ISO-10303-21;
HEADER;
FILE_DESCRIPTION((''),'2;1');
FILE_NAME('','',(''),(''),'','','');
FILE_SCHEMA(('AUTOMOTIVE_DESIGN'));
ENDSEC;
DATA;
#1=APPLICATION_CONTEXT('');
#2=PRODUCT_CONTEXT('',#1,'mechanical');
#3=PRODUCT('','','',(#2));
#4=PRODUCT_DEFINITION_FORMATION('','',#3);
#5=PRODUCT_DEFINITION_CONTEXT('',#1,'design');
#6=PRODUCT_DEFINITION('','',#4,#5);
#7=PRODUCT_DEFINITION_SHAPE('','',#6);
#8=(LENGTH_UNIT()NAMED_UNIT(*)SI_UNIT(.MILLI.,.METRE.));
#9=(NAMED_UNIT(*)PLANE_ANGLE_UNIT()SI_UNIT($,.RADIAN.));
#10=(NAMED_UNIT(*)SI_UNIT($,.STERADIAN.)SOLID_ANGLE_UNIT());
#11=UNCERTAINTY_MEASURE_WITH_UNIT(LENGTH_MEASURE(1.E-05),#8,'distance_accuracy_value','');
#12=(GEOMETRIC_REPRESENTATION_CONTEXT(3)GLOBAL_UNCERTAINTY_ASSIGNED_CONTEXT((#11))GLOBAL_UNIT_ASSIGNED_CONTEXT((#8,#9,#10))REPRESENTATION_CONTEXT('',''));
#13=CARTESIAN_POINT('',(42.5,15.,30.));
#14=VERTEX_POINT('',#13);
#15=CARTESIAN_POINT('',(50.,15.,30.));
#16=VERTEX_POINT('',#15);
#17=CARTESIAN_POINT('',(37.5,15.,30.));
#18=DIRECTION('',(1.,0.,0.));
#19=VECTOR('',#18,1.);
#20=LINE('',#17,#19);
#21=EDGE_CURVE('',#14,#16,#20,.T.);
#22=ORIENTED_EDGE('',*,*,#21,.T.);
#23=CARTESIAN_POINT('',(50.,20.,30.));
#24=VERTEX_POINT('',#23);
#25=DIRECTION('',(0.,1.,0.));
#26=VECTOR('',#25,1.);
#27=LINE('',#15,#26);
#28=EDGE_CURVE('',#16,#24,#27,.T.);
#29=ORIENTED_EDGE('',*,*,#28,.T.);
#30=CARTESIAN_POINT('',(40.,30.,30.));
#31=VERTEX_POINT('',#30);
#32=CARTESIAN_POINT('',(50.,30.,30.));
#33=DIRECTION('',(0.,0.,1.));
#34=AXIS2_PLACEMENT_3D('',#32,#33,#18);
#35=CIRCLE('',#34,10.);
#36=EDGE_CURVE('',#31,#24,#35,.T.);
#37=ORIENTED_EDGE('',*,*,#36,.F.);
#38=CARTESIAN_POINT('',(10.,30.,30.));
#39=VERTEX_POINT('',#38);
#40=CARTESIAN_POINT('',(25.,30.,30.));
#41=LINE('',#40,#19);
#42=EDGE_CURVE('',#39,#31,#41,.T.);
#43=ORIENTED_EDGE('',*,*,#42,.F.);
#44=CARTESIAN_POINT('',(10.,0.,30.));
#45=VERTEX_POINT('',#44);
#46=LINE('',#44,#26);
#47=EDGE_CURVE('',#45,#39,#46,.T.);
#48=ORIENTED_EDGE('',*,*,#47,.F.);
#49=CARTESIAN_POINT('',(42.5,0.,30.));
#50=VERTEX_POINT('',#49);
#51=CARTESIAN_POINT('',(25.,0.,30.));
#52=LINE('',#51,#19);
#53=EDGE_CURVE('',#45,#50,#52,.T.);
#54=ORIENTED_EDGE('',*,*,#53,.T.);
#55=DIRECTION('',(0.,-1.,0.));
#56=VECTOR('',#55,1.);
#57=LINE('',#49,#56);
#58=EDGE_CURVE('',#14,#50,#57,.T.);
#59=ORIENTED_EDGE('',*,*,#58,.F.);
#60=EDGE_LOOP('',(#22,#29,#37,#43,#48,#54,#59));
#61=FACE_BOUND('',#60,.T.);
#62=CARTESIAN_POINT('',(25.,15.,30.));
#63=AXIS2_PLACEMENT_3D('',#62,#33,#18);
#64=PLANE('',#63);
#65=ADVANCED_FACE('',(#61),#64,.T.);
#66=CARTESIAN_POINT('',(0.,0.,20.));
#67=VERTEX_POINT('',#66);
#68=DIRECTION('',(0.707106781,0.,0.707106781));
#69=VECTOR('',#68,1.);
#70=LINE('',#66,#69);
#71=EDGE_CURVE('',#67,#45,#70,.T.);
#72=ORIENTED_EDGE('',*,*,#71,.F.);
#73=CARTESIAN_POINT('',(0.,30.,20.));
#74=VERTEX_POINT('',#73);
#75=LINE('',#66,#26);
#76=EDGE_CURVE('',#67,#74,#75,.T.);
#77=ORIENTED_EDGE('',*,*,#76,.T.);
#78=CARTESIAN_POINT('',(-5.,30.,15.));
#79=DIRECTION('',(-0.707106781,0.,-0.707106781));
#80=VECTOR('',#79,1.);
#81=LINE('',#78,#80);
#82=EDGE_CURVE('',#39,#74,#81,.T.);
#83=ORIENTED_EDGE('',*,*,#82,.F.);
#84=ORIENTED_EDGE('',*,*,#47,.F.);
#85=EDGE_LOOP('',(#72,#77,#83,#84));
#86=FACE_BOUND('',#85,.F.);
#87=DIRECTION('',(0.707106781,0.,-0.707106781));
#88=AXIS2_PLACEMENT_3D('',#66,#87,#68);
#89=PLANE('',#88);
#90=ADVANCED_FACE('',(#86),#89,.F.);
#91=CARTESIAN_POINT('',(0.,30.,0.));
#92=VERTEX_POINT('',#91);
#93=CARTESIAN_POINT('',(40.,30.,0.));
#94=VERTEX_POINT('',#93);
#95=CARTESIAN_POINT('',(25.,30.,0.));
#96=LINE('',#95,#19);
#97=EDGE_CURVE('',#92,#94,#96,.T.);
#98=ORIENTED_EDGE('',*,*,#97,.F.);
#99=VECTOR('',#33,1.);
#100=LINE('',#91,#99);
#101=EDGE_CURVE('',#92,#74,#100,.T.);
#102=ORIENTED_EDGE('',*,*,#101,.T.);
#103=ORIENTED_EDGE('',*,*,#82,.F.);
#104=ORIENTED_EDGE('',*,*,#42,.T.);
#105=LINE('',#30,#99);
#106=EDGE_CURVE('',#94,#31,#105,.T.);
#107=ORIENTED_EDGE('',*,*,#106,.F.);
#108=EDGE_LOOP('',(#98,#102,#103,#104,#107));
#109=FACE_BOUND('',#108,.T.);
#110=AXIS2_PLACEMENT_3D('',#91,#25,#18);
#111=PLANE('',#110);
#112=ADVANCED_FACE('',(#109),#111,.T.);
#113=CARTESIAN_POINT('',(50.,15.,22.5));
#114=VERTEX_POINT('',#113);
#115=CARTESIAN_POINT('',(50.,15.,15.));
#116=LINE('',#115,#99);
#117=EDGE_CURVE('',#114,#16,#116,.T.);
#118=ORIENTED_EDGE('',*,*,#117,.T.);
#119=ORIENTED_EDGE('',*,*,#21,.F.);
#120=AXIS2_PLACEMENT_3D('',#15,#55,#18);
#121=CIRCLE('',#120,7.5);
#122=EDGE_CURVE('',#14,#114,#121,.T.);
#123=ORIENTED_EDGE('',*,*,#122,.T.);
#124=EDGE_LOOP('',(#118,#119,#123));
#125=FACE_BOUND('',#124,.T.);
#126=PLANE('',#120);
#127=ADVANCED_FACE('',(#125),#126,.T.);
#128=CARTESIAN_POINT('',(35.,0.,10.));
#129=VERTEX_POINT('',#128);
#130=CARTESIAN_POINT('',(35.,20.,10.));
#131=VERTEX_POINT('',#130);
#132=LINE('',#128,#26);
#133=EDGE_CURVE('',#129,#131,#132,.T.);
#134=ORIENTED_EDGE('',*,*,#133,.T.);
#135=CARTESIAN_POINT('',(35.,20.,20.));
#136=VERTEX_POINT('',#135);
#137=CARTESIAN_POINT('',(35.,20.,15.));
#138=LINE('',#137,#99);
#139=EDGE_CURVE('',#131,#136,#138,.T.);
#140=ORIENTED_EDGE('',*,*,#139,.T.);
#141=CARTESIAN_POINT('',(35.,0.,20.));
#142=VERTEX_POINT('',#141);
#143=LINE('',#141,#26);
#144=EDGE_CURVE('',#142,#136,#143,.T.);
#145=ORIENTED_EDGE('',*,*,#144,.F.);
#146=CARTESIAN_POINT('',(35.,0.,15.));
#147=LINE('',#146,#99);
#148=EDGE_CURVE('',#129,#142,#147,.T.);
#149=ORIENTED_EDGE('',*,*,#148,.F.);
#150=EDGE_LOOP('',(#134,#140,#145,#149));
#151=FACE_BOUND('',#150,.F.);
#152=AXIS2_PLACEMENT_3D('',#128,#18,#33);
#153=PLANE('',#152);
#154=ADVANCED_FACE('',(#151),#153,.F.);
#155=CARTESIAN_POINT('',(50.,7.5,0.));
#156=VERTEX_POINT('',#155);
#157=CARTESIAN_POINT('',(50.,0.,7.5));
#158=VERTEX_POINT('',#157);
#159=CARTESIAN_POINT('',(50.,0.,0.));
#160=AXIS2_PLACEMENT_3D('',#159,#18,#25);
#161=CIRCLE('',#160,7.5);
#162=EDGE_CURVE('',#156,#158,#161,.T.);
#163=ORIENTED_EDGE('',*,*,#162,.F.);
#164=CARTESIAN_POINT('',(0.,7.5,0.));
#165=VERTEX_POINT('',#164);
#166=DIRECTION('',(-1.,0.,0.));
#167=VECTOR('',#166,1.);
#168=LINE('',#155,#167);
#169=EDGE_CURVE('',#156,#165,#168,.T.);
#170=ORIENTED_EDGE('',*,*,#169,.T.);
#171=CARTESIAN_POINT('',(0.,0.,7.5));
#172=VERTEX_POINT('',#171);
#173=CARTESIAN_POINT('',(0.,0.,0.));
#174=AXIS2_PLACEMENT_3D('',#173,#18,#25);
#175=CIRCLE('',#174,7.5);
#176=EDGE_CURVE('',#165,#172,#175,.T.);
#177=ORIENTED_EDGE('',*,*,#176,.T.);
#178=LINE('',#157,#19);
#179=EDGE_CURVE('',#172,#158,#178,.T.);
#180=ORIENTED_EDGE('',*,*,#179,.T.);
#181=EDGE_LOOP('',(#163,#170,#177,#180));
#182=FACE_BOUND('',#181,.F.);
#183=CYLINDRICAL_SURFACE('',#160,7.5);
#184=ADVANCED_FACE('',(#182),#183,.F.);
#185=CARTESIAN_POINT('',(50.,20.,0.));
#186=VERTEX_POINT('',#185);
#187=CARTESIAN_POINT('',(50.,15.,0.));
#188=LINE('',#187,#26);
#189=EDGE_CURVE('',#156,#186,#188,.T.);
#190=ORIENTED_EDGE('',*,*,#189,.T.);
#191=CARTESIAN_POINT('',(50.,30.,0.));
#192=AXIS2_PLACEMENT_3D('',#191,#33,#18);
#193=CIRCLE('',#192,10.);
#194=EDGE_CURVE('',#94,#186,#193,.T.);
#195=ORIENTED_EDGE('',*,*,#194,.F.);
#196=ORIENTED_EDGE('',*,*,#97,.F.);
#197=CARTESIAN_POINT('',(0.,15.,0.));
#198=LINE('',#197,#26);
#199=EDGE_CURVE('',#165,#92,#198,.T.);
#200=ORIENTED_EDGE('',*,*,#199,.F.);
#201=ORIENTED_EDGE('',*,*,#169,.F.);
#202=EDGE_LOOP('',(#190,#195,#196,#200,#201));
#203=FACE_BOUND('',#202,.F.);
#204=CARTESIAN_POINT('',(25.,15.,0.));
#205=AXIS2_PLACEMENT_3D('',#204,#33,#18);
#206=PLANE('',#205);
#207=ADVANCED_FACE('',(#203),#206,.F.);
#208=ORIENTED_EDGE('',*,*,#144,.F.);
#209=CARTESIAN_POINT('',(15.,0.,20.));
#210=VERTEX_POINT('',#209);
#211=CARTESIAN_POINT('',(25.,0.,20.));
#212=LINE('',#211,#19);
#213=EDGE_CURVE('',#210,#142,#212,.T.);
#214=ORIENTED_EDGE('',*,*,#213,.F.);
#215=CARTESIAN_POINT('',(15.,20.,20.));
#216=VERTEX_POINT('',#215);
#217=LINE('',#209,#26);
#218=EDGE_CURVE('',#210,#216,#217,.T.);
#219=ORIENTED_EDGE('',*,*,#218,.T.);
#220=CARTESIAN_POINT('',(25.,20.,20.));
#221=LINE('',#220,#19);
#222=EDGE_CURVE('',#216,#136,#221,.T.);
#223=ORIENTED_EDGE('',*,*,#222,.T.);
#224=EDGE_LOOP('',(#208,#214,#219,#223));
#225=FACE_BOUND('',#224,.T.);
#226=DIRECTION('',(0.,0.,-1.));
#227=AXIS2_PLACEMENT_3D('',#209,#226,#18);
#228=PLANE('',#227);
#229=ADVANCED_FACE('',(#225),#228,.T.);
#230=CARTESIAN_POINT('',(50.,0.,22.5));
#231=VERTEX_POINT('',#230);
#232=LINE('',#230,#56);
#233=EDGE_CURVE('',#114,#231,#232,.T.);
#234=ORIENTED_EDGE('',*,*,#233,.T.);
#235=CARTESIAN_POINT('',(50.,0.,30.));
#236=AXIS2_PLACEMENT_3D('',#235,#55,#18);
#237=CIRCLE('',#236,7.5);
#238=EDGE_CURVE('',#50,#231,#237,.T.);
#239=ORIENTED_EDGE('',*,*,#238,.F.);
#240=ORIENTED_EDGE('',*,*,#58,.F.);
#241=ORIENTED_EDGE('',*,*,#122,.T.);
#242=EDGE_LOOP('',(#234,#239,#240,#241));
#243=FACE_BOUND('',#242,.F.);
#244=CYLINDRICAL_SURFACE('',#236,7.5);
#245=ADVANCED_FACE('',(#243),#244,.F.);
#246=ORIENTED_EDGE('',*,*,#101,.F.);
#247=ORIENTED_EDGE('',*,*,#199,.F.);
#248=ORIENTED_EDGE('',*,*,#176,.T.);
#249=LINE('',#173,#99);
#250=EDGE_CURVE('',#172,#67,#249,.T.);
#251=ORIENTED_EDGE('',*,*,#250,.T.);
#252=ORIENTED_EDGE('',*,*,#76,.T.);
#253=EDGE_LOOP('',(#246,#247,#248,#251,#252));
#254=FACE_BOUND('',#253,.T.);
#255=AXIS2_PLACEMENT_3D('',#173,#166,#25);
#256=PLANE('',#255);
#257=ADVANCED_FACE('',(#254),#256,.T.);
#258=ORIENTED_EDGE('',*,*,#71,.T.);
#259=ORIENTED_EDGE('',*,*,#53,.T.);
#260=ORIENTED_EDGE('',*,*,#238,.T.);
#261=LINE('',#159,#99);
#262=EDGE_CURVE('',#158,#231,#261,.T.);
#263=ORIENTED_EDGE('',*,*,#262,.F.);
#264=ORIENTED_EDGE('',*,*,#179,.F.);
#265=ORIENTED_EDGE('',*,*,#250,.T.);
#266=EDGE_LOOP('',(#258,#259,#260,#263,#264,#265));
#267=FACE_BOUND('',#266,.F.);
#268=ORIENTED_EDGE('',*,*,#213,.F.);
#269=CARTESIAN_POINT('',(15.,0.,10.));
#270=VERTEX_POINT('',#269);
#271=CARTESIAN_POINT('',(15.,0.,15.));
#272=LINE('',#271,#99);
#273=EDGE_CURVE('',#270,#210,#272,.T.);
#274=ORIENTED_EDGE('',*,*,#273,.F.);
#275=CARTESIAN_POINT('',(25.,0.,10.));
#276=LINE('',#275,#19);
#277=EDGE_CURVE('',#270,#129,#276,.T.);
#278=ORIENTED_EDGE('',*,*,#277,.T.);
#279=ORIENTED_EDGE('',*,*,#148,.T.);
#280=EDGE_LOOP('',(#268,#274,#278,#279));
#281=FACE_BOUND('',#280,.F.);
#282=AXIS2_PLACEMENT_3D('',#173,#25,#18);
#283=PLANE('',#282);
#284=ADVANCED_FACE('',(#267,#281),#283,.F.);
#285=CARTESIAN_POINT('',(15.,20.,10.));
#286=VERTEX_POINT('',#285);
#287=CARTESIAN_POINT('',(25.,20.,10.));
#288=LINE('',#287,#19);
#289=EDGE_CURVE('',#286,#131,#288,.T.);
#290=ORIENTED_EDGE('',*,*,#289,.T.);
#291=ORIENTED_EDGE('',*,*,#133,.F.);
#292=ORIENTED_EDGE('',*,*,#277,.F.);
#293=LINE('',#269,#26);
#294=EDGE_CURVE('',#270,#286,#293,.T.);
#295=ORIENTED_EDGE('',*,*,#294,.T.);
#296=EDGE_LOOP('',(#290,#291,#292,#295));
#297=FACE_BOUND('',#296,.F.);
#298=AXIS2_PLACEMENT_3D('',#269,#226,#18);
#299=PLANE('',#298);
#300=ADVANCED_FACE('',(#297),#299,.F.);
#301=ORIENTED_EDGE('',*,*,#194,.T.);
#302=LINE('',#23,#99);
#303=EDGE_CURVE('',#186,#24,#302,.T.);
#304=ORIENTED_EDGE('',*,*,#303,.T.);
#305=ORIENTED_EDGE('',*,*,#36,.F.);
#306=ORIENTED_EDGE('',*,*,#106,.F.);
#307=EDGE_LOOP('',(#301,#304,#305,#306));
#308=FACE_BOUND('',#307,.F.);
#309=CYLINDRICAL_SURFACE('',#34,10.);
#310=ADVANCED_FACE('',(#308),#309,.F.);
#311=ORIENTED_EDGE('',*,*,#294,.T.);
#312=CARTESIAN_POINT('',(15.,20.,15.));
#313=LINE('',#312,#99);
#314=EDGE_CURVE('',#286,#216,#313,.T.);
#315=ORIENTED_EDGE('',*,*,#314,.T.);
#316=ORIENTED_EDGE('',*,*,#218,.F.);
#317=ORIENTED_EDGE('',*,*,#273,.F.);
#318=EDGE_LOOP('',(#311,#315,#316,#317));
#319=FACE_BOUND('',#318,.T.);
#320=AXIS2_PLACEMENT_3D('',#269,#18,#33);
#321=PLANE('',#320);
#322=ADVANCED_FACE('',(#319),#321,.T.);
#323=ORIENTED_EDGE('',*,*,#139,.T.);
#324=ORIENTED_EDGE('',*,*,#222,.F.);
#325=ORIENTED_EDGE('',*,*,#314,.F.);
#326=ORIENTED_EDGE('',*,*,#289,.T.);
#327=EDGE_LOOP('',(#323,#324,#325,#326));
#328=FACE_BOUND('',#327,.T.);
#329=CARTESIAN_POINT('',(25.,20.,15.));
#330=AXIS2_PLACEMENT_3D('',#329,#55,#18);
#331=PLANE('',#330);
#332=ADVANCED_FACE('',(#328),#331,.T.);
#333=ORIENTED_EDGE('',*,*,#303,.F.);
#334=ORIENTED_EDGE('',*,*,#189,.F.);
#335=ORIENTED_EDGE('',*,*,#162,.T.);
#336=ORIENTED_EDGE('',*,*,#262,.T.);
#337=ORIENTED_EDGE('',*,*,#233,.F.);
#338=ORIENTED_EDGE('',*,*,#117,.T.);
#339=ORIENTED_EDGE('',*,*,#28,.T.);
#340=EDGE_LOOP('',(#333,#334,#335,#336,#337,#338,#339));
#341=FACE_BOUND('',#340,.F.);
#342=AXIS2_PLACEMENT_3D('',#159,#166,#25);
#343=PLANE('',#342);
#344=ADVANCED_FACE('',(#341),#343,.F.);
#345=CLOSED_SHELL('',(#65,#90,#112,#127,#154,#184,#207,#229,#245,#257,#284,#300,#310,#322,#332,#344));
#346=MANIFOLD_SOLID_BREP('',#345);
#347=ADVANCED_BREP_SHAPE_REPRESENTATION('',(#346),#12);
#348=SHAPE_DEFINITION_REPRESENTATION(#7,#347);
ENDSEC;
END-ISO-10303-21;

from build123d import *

# Parameters (mm, degrees)
F0_W      = 50
F0_H      = 30
F1_DEPTH  = 30
F2_R      = 10
F3_DEPTH  = 30.001
F5_DEPTH  = 30.001
F6_W      = 20
F6_H      = 10
F7_DEPTH  = 20
F8_R      = 7.5
F9_DEPTH  = 50.001
F10_R     = 7.5
F11_DEPTH = 15


with BuildPart() as f1:
    # F0 (on Top) → F1 (new body)
    with BuildSketch(Plane.XY):
        with Locations((25, 15)):
            Rectangle(F0_W, F0_H)
    extrude(amount=F1_DEPTH)

    # F2 (on face) → F3 (cut, through all)
    with BuildSketch(Plane.XY.offset(30)):
        with Locations((50, 30)):
            Circle(F2_R)
    extrude(amount=-F3_DEPTH, mode=Mode.SUBTRACT)

    # F4 (on face) → F5 (cut, through all)
    with BuildSketch(Plane.XZ):
        Polygon((0, 20), (10, 30), (0, 30), align=None)
    extrude(amount=-F5_DEPTH, mode=Mode.SUBTRACT)

    # F6 (on face) → F7 (cut)
    with BuildSketch(Plane.XZ):
        with Locations((25, 15)):
            Rectangle(F6_W, F6_H)
    extrude(amount=-F7_DEPTH, mode=Mode.SUBTRACT)

    # F8 (on face) → F9 (cut, through all)
    with BuildSketch(Plane.YZ.offset(50)):
        Circle(F8_R)
    extrude(amount=-F9_DEPTH, mode=Mode.SUBTRACT)

    # F10 (on face) → F11 (cut)
    with BuildSketch(Plane.XZ):
        with Locations((50, 30)):
            Circle(F10_R)
    extrude(amount=-F11_DEPTH, mode=Mode.SUBTRACT)


solid = f1.part
